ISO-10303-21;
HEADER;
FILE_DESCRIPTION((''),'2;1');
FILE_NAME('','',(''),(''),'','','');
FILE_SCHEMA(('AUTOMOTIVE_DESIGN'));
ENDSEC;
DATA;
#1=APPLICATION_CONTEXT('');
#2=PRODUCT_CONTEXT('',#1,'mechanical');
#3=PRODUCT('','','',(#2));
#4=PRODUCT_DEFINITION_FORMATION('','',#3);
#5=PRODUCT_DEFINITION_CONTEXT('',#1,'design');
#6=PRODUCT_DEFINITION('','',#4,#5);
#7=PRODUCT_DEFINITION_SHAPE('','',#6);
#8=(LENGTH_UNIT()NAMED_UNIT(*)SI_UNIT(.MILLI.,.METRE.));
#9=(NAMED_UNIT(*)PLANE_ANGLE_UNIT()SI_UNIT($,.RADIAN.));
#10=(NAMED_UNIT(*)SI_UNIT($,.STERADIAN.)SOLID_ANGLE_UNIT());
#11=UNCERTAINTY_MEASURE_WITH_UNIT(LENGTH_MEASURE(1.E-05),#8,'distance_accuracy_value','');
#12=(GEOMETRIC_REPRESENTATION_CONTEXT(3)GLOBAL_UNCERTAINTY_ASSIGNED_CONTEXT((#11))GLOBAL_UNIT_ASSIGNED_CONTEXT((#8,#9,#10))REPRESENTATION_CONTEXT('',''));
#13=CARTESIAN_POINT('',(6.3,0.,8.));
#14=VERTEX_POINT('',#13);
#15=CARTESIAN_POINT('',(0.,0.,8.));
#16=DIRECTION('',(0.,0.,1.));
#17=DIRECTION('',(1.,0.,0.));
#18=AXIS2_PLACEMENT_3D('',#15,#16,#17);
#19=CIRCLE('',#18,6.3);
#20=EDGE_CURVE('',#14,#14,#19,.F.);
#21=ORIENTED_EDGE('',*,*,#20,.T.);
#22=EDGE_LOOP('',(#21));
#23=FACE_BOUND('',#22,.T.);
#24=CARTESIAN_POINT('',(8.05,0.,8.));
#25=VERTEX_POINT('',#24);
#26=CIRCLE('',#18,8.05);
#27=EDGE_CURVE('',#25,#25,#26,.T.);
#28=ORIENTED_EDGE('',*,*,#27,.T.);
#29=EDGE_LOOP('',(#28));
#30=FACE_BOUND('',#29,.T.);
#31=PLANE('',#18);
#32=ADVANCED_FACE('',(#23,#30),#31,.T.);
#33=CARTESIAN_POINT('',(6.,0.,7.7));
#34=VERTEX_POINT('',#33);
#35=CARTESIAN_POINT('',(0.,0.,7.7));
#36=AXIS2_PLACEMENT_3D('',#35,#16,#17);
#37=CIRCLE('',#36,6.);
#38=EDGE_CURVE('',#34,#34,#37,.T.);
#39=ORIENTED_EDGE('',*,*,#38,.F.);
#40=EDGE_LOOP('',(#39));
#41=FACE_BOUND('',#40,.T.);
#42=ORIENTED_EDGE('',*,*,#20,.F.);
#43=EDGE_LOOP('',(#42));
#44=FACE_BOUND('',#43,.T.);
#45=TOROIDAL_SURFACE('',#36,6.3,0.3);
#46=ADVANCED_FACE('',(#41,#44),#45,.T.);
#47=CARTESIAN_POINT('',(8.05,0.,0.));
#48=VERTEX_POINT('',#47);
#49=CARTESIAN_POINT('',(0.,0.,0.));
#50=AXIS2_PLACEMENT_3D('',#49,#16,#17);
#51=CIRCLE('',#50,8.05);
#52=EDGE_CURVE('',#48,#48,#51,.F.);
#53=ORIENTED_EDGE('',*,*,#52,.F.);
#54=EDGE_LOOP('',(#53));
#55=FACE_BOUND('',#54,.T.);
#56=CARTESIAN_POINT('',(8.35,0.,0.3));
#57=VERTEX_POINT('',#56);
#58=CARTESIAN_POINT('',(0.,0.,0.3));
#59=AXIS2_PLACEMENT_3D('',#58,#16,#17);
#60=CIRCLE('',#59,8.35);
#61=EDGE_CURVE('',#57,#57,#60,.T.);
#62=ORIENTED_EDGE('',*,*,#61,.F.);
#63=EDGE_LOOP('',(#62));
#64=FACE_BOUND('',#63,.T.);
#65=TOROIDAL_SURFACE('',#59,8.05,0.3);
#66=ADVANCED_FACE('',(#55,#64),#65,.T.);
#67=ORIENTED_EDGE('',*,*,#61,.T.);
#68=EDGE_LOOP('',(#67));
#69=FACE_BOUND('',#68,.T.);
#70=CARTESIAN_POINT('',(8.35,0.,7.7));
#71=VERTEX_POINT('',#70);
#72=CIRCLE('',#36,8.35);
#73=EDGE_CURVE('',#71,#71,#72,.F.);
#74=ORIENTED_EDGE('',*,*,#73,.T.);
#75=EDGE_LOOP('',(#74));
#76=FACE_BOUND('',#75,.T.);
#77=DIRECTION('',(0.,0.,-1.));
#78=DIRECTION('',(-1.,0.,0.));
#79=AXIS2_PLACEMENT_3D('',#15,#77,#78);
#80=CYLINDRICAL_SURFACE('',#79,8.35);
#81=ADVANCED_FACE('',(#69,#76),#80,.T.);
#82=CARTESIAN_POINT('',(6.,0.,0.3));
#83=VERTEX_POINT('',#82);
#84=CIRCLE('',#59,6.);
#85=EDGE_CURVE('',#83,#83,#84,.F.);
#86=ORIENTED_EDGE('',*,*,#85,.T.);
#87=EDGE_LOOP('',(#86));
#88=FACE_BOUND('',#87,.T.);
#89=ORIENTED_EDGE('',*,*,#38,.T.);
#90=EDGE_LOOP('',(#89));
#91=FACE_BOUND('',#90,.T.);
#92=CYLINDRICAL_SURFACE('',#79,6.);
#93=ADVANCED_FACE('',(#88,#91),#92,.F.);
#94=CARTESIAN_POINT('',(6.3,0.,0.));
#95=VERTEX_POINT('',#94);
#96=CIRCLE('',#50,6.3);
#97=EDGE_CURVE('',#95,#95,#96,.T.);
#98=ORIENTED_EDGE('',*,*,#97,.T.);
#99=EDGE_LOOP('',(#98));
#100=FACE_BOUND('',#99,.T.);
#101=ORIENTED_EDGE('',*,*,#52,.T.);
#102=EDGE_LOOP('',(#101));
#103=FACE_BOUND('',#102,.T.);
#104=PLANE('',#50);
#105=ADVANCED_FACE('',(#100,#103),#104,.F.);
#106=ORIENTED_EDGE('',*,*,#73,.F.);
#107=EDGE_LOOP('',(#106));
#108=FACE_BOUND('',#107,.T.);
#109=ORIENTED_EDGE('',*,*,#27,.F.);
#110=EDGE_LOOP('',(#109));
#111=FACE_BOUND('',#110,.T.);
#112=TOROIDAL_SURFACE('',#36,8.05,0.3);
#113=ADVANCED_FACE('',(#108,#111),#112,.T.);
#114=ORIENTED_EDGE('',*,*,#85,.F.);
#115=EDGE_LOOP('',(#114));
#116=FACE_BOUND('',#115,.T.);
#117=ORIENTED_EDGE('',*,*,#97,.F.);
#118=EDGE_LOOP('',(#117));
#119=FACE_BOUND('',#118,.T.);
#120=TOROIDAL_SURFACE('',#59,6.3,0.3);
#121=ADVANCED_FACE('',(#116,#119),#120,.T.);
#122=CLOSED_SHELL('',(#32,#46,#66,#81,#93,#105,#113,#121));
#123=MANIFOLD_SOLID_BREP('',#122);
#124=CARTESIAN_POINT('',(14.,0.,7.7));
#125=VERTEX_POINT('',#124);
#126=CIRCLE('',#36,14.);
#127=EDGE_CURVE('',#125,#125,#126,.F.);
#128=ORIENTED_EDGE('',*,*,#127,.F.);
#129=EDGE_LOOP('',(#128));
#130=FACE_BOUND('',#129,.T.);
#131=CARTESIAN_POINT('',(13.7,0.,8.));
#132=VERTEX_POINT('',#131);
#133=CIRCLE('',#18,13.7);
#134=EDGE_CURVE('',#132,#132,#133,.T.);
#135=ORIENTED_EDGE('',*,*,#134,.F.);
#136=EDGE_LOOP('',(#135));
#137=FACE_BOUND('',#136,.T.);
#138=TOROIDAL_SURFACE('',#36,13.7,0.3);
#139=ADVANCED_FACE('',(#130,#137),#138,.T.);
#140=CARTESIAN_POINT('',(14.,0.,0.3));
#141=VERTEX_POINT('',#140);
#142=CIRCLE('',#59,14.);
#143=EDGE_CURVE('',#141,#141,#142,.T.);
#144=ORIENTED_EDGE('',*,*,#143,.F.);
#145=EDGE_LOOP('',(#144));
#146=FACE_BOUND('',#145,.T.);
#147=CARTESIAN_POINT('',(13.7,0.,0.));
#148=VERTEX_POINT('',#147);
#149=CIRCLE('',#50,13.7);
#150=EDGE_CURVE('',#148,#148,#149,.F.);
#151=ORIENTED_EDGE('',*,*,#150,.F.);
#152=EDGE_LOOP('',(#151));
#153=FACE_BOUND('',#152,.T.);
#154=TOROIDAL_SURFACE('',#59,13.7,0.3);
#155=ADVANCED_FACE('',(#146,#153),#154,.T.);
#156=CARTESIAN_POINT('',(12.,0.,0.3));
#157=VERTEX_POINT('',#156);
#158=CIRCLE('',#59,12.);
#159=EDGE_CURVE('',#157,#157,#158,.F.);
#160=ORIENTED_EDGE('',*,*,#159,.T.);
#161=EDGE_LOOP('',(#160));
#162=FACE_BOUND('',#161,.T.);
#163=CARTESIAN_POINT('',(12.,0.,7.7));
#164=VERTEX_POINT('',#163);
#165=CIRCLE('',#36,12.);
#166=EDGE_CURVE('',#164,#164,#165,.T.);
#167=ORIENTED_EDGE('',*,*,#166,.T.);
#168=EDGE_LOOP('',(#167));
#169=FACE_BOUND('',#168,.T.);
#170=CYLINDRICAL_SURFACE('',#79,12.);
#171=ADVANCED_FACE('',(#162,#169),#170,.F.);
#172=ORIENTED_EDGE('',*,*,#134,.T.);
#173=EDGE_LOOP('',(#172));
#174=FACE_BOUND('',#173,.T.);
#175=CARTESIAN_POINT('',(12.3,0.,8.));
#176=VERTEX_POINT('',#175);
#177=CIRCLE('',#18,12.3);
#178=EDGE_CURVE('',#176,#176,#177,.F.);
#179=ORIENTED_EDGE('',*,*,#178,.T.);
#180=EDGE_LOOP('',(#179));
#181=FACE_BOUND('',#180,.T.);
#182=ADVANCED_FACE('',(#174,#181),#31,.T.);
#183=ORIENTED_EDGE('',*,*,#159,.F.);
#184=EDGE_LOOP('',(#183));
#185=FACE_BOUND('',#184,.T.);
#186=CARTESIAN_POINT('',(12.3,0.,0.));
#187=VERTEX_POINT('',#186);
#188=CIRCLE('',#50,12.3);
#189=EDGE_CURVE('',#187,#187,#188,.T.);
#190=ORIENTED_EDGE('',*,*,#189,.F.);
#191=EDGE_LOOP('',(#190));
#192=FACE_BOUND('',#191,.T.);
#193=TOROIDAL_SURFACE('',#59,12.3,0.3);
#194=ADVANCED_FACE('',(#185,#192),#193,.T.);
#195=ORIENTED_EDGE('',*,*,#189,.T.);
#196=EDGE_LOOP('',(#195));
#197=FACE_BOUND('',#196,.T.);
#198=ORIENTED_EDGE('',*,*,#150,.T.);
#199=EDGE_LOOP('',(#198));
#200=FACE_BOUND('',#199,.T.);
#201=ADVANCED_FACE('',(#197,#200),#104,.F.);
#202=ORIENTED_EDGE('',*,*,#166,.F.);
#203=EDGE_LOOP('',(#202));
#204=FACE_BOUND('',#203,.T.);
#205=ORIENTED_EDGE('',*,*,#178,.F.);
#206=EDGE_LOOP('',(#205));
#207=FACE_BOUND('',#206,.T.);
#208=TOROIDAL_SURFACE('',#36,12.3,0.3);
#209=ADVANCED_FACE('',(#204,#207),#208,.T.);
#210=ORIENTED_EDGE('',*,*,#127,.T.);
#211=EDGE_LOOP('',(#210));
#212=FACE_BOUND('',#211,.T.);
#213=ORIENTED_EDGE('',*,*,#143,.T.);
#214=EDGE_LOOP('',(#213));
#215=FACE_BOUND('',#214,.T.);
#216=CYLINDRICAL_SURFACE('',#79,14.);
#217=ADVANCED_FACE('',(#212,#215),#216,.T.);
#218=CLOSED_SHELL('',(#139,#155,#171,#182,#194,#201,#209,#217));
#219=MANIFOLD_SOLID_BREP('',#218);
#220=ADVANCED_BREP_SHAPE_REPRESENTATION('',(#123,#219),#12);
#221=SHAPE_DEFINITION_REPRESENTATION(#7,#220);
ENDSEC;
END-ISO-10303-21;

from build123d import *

# Parameters (mm, degrees)
SKETCH1_R             = 14
SKETCH1_R_2           = 12
BOSS_EXTRUDE1_DEPTH   = 8
SKETCH1_R_3           = 8.35
SKETCH1_R_4           = 6
BOSS_EXTRUDE1_2_DEPTH = 8
FILLET1_R             = 0.3
FILLET2_R             = 0.3


with BuildPart() as part:
    # Sketch1 → Boss-Extrude1 (new body)
    with BuildSketch(Plane.XY):
        Circle(SKETCH1_R)
        Circle(SKETCH1_R_2, mode=Mode.SUBTRACT)
    extrude(amount=BOSS_EXTRUDE1_DEPTH)

    # Fillet1
    fillet1_edges = [part.edges().sort_by_distance(p)[0] for p in [
        (-14, 0, 0),
        (-14, 0, 8),
        (-12, 0, 0),
        (-12, 0, 8),
    ]]
    fillet(fillet1_edges, radius=FILLET1_R)


with BuildPart() as body_2:
    # Sketch1 → Boss-Extrude1 2 (new body)
    with BuildSketch(Plane.XY):
        Circle(SKETCH1_R_3)
        Circle(SKETCH1_R_4, mode=Mode.SUBTRACT)
    extrude(amount=BOSS_EXTRUDE1_2_DEPTH)

    # Fillet2
    fillet2_edges = [body_2.edges().sort_by_distance(p)[0] for p in [
        (-6, 0, 0),
        (-6, 0, 8),
        (-8.35, 0, 0),
        (-8.35, 0, 8),
    ]]
    fillet(fillet2_edges, radius=FILLET2_R)


solid = Compound([part.part, body_2.part])
